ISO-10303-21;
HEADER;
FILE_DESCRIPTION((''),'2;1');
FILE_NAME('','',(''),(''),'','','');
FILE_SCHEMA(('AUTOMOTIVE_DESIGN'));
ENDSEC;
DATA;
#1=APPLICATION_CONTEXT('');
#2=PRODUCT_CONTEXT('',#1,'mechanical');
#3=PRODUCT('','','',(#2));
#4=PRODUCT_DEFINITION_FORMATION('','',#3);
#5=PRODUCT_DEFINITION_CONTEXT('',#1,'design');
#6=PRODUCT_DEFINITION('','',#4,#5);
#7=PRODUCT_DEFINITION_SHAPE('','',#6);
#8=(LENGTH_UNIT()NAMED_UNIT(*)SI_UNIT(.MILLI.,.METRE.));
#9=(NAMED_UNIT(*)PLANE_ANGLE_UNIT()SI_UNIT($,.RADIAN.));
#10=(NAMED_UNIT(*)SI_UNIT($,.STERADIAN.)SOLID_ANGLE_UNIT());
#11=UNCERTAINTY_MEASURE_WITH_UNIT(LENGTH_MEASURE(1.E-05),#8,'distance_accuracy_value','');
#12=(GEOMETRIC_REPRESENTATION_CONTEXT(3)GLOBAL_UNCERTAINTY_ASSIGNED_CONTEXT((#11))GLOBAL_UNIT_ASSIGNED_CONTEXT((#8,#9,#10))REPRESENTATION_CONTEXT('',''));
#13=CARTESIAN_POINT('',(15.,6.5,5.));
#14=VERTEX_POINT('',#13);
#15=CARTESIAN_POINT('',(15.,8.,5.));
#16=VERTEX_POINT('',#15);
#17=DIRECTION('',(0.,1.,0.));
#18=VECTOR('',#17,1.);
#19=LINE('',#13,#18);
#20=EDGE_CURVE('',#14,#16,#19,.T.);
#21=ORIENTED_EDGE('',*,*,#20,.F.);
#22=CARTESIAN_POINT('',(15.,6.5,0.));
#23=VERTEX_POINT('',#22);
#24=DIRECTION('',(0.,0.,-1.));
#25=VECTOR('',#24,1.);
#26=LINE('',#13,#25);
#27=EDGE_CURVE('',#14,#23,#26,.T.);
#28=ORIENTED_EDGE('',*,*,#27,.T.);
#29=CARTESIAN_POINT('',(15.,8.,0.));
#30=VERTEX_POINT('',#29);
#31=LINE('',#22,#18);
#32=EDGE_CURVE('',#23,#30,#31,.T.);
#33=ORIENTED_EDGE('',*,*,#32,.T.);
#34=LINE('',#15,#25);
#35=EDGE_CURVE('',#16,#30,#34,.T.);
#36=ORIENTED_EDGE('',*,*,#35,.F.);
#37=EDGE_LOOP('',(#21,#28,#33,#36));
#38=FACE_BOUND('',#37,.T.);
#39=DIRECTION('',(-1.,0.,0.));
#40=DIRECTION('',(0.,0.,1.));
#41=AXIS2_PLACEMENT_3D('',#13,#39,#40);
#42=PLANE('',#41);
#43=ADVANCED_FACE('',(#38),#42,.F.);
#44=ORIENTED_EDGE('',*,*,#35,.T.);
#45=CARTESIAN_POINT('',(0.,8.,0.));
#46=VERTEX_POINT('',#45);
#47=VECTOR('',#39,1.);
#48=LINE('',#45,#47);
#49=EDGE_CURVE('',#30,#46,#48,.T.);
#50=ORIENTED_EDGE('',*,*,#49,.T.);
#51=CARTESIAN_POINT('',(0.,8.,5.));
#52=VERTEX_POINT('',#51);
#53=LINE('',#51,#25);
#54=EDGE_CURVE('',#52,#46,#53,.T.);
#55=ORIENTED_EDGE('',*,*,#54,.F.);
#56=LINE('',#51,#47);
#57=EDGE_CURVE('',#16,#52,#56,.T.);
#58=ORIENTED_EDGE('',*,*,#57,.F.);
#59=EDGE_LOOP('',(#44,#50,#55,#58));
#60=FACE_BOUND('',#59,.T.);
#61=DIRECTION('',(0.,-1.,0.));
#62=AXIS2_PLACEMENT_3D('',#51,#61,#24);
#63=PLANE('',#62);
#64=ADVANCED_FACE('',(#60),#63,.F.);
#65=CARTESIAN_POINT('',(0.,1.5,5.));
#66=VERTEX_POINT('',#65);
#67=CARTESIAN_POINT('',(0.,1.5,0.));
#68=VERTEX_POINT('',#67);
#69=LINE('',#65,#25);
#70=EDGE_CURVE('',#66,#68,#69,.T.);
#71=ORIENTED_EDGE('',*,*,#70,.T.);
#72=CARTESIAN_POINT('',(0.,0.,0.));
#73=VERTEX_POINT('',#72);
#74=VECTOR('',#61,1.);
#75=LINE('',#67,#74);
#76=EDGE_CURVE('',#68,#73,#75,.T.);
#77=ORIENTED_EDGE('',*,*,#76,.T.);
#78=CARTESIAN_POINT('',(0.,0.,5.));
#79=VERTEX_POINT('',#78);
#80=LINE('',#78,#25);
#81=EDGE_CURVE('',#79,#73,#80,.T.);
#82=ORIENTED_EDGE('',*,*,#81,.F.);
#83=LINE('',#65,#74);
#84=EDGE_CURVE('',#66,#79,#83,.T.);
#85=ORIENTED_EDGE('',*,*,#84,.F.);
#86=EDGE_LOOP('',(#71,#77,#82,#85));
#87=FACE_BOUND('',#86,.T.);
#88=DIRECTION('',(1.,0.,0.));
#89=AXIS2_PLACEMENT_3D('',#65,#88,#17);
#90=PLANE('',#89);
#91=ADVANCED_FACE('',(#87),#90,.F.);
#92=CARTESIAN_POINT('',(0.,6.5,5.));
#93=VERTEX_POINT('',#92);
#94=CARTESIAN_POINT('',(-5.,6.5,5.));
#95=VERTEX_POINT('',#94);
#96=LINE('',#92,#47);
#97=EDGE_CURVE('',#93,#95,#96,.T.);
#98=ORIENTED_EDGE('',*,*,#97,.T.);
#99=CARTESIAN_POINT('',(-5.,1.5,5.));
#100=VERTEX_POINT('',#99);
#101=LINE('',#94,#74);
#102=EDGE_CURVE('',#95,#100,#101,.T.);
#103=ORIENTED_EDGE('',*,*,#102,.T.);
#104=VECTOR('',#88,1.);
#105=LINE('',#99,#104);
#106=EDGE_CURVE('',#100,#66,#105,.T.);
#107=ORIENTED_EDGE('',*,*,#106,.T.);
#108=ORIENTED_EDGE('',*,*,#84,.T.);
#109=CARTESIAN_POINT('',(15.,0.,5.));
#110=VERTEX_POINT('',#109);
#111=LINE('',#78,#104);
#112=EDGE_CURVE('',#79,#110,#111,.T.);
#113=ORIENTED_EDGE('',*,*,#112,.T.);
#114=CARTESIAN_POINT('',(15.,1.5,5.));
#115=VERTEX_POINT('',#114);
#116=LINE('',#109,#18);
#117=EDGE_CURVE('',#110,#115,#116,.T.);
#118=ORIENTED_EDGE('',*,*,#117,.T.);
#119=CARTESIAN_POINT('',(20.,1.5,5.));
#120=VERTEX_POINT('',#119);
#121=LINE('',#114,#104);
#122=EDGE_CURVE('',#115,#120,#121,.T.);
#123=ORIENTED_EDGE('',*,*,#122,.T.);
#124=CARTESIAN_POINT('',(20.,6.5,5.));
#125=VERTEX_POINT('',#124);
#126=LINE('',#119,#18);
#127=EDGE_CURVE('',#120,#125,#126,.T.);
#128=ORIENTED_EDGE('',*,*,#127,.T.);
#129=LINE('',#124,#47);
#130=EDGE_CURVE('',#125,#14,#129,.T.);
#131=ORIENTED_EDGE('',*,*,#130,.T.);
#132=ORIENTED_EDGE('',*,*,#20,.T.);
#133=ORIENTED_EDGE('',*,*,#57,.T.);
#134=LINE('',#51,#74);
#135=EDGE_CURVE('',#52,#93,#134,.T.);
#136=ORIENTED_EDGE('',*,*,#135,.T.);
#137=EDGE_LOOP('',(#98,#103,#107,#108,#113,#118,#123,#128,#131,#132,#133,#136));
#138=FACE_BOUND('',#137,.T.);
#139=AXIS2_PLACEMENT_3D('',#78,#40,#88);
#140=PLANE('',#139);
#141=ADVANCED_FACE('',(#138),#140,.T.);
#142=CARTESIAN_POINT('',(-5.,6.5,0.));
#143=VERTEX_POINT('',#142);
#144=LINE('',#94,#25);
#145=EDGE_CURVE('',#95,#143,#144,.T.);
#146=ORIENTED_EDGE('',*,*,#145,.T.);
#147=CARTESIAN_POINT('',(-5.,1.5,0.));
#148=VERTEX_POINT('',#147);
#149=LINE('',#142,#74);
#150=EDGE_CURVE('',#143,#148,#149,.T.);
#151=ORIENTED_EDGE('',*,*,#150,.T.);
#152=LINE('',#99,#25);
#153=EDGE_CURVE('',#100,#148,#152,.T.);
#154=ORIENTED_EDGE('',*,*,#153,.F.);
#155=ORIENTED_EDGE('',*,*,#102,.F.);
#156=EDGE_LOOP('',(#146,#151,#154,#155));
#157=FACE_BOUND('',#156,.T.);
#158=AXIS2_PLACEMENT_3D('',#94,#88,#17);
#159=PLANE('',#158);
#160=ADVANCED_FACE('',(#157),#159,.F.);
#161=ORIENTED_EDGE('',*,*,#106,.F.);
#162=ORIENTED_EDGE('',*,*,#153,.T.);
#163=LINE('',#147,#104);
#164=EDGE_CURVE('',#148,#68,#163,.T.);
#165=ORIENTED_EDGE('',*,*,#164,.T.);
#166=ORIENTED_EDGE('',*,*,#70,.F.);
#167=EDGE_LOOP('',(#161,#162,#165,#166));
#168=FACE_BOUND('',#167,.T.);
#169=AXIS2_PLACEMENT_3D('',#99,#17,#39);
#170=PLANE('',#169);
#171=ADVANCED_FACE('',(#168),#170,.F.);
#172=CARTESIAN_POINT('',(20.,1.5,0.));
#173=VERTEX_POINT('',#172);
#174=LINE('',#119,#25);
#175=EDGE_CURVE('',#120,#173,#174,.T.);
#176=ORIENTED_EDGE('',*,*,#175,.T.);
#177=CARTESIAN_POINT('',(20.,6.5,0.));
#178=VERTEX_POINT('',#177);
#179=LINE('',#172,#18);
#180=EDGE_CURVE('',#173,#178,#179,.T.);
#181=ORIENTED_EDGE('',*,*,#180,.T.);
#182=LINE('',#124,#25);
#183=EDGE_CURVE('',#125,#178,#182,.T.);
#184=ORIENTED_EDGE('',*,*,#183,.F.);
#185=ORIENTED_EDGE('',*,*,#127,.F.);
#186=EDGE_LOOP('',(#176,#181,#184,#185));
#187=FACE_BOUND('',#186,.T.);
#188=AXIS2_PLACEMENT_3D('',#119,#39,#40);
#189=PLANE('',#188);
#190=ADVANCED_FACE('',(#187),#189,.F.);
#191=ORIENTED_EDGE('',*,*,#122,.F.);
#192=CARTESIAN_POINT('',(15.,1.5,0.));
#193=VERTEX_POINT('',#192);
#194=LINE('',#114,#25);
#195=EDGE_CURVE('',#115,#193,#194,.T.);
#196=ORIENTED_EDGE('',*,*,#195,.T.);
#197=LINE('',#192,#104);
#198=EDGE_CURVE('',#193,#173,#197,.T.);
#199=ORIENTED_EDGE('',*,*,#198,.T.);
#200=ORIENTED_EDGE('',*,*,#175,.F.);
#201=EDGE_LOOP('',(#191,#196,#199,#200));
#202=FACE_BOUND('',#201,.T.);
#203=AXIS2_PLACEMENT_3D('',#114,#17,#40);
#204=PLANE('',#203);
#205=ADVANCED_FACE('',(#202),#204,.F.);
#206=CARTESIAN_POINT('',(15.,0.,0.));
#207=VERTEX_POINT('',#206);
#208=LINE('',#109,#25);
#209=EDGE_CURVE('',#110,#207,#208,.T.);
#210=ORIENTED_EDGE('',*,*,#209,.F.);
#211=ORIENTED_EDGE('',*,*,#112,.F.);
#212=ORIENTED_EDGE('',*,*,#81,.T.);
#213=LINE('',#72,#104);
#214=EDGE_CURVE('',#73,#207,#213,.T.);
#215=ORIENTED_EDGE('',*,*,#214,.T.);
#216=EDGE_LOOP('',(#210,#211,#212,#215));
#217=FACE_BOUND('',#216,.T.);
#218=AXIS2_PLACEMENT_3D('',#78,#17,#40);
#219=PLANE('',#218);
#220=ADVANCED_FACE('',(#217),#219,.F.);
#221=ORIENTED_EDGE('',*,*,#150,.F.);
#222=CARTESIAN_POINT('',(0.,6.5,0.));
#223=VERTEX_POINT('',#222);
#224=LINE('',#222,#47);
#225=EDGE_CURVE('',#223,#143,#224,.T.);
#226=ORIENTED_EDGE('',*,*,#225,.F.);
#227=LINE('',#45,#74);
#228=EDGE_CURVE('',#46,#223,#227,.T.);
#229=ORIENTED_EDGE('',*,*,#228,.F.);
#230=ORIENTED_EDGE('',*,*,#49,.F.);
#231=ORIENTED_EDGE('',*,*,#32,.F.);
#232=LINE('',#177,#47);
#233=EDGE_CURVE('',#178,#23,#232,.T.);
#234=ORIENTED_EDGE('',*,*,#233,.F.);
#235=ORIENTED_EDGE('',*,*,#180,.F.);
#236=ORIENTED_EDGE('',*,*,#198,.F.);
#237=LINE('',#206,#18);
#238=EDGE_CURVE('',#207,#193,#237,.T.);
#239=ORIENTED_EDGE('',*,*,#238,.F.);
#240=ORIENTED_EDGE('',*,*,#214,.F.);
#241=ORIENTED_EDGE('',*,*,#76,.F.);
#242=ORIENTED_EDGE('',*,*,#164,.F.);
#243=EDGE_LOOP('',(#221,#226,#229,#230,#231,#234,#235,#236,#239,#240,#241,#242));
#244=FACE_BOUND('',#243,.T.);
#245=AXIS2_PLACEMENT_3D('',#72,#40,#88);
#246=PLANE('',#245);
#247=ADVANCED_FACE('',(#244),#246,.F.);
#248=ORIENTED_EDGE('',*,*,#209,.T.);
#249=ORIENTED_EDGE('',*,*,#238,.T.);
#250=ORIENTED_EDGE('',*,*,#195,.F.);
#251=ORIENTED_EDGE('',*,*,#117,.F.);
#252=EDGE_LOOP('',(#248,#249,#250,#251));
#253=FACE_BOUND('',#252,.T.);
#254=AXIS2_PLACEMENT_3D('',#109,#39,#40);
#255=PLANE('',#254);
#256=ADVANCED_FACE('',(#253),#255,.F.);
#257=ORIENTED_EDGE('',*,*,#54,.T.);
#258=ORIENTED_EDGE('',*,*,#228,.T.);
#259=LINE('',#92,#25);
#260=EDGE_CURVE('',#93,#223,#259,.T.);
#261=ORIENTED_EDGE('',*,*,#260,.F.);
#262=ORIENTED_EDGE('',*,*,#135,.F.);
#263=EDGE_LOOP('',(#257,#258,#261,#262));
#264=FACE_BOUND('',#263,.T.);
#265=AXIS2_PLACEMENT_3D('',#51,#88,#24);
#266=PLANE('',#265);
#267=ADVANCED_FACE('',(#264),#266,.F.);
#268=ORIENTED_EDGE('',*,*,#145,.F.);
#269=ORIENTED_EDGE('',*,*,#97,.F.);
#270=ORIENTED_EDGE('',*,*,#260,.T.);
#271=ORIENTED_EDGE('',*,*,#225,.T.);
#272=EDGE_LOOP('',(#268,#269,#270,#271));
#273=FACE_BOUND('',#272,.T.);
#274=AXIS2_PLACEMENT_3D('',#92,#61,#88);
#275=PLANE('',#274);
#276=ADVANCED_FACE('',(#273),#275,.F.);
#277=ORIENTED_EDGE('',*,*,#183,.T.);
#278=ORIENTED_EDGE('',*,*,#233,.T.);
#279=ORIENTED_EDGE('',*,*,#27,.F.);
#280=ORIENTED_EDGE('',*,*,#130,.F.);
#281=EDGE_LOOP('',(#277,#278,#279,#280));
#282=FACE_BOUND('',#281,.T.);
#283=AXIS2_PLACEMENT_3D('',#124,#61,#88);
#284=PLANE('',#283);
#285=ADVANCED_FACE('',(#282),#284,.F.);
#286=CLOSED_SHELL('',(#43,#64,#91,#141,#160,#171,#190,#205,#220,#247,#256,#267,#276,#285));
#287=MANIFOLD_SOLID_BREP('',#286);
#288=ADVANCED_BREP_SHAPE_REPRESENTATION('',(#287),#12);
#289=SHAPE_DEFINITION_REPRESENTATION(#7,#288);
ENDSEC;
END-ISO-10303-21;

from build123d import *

# Parameters (mm, degrees)
BOSS_EXTRUDE1_DEPTH = 5


with BuildPart() as part:
    # Sketch1 → Boss-Extrude1 (new body)
    with BuildSketch(Plane.XY):
        Polygon((0, 8), (0, 6.5), (-5, 6.5), (-5, 1.5), (0, 1.5), (0, 0), (15, 0), (15, 1.5), (20, 1.5), (20, 6.5), (15, 6.5), (15, 8), align=None)
    extrude(amount=BOSS_EXTRUDE1_DEPTH)


solid = part.part
